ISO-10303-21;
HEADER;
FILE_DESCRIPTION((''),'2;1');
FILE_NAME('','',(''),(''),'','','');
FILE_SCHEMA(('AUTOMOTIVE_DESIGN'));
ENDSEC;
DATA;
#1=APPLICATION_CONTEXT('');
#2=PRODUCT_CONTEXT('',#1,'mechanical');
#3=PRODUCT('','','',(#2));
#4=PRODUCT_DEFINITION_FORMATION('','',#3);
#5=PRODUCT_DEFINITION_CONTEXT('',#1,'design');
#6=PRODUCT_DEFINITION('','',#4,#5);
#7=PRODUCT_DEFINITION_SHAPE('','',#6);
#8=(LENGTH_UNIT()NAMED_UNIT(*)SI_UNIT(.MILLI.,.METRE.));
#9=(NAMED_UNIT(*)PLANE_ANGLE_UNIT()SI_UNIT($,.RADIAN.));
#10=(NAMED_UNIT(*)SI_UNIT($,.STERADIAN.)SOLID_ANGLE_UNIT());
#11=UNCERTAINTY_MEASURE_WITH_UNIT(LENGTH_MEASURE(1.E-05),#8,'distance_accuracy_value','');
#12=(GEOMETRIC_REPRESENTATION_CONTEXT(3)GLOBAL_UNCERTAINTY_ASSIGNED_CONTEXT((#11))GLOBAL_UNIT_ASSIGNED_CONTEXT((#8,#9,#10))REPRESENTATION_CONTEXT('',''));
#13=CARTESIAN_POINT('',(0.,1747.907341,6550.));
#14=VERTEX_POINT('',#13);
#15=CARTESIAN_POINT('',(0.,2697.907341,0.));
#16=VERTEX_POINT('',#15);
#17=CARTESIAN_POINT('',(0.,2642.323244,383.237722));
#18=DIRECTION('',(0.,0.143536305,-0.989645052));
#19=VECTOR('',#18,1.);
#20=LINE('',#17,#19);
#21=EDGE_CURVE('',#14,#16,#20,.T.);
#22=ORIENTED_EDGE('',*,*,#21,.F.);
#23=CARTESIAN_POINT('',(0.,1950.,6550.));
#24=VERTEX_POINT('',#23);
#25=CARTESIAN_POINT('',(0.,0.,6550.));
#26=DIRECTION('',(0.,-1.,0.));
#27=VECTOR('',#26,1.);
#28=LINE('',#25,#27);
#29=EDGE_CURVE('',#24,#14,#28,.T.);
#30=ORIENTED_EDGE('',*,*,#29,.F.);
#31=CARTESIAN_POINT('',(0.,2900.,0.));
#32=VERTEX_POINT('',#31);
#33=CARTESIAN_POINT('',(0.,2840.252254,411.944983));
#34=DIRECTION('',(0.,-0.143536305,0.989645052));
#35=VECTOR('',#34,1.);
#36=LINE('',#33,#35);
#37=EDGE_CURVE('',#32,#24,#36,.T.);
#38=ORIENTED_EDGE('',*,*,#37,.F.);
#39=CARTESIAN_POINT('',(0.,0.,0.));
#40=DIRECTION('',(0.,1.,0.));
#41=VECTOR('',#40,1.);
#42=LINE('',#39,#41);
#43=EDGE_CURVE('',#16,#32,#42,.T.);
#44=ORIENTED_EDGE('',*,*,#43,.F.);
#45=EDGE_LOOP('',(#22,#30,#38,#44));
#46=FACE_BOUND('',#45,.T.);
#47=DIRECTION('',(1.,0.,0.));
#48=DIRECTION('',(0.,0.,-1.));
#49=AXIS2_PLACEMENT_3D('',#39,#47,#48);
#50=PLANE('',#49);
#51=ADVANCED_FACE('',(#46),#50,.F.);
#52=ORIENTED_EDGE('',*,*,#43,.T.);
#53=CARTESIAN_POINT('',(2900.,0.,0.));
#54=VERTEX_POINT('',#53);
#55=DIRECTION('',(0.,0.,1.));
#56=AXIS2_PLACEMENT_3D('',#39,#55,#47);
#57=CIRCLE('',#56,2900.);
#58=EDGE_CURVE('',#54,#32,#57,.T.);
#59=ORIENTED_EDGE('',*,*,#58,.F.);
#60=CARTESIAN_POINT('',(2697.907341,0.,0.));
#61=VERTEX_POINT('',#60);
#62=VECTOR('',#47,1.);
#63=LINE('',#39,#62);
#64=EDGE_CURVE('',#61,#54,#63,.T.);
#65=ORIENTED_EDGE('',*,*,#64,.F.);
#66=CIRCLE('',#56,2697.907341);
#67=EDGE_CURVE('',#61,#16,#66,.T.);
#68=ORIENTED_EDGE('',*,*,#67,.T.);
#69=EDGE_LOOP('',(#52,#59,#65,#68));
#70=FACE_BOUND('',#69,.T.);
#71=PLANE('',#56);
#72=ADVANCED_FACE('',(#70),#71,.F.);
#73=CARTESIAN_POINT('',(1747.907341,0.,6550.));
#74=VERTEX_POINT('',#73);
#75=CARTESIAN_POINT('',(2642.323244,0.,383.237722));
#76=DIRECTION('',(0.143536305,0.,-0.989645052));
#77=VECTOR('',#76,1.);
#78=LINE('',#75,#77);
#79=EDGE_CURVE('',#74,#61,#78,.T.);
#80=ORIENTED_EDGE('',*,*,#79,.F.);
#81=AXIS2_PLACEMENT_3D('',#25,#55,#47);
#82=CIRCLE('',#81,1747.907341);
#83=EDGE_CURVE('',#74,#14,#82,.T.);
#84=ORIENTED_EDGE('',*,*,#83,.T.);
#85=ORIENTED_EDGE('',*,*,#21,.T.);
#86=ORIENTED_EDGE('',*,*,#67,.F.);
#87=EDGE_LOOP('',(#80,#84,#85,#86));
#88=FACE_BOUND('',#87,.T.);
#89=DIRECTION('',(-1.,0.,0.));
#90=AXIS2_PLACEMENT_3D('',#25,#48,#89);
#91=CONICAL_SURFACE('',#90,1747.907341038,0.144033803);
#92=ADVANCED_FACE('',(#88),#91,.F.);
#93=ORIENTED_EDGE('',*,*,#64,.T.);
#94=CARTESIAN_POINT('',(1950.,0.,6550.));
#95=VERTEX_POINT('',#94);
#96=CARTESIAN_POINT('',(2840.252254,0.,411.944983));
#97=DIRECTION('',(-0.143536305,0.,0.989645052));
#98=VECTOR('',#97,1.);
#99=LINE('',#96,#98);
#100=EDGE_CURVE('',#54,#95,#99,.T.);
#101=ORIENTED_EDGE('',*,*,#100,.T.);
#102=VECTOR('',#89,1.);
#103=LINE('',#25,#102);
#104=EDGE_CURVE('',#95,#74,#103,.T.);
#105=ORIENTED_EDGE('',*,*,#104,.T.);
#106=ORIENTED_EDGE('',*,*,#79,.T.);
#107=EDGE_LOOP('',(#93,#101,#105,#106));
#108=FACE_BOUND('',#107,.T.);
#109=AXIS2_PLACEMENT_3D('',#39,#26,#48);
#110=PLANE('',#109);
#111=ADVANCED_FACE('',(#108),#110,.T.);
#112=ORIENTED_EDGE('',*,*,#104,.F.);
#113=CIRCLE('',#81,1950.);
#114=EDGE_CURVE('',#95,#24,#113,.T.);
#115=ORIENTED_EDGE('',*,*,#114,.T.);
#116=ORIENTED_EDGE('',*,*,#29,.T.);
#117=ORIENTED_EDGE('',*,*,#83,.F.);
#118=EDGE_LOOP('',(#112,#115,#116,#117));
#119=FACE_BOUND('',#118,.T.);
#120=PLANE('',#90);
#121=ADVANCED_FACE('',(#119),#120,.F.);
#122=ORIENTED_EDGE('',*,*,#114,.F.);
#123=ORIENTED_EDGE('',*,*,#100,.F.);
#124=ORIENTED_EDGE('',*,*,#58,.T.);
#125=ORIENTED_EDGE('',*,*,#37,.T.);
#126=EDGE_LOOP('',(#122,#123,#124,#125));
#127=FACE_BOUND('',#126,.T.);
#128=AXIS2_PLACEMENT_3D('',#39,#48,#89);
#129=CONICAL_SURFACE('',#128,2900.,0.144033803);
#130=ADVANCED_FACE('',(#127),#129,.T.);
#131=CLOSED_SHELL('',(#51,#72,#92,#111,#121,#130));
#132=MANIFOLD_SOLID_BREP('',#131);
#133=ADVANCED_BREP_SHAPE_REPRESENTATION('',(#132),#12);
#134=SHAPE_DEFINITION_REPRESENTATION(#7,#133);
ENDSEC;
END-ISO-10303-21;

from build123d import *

# Parameters (mm, degrees)
RIVOLUZIONE1_ANGLE = 90


with BuildPart() as part:
    # Schizzo1 → Rivoluzione1 (revolve)
    with BuildSketch(Plane(origin=(0, 0, 0), x_dir=(0, 0, -1), z_dir=(1, 0, 0))):
        Polygon((-6550, 1950), (-6550, 1747.907341038), (0, 2697.907341038), (0, 2900), align=None)
    revolve(axis=Axis((0, 0, 6550), (0, 0, -1)), revolution_arc=RIVOLUZIONE1_ANGLE)


solid = part.part
